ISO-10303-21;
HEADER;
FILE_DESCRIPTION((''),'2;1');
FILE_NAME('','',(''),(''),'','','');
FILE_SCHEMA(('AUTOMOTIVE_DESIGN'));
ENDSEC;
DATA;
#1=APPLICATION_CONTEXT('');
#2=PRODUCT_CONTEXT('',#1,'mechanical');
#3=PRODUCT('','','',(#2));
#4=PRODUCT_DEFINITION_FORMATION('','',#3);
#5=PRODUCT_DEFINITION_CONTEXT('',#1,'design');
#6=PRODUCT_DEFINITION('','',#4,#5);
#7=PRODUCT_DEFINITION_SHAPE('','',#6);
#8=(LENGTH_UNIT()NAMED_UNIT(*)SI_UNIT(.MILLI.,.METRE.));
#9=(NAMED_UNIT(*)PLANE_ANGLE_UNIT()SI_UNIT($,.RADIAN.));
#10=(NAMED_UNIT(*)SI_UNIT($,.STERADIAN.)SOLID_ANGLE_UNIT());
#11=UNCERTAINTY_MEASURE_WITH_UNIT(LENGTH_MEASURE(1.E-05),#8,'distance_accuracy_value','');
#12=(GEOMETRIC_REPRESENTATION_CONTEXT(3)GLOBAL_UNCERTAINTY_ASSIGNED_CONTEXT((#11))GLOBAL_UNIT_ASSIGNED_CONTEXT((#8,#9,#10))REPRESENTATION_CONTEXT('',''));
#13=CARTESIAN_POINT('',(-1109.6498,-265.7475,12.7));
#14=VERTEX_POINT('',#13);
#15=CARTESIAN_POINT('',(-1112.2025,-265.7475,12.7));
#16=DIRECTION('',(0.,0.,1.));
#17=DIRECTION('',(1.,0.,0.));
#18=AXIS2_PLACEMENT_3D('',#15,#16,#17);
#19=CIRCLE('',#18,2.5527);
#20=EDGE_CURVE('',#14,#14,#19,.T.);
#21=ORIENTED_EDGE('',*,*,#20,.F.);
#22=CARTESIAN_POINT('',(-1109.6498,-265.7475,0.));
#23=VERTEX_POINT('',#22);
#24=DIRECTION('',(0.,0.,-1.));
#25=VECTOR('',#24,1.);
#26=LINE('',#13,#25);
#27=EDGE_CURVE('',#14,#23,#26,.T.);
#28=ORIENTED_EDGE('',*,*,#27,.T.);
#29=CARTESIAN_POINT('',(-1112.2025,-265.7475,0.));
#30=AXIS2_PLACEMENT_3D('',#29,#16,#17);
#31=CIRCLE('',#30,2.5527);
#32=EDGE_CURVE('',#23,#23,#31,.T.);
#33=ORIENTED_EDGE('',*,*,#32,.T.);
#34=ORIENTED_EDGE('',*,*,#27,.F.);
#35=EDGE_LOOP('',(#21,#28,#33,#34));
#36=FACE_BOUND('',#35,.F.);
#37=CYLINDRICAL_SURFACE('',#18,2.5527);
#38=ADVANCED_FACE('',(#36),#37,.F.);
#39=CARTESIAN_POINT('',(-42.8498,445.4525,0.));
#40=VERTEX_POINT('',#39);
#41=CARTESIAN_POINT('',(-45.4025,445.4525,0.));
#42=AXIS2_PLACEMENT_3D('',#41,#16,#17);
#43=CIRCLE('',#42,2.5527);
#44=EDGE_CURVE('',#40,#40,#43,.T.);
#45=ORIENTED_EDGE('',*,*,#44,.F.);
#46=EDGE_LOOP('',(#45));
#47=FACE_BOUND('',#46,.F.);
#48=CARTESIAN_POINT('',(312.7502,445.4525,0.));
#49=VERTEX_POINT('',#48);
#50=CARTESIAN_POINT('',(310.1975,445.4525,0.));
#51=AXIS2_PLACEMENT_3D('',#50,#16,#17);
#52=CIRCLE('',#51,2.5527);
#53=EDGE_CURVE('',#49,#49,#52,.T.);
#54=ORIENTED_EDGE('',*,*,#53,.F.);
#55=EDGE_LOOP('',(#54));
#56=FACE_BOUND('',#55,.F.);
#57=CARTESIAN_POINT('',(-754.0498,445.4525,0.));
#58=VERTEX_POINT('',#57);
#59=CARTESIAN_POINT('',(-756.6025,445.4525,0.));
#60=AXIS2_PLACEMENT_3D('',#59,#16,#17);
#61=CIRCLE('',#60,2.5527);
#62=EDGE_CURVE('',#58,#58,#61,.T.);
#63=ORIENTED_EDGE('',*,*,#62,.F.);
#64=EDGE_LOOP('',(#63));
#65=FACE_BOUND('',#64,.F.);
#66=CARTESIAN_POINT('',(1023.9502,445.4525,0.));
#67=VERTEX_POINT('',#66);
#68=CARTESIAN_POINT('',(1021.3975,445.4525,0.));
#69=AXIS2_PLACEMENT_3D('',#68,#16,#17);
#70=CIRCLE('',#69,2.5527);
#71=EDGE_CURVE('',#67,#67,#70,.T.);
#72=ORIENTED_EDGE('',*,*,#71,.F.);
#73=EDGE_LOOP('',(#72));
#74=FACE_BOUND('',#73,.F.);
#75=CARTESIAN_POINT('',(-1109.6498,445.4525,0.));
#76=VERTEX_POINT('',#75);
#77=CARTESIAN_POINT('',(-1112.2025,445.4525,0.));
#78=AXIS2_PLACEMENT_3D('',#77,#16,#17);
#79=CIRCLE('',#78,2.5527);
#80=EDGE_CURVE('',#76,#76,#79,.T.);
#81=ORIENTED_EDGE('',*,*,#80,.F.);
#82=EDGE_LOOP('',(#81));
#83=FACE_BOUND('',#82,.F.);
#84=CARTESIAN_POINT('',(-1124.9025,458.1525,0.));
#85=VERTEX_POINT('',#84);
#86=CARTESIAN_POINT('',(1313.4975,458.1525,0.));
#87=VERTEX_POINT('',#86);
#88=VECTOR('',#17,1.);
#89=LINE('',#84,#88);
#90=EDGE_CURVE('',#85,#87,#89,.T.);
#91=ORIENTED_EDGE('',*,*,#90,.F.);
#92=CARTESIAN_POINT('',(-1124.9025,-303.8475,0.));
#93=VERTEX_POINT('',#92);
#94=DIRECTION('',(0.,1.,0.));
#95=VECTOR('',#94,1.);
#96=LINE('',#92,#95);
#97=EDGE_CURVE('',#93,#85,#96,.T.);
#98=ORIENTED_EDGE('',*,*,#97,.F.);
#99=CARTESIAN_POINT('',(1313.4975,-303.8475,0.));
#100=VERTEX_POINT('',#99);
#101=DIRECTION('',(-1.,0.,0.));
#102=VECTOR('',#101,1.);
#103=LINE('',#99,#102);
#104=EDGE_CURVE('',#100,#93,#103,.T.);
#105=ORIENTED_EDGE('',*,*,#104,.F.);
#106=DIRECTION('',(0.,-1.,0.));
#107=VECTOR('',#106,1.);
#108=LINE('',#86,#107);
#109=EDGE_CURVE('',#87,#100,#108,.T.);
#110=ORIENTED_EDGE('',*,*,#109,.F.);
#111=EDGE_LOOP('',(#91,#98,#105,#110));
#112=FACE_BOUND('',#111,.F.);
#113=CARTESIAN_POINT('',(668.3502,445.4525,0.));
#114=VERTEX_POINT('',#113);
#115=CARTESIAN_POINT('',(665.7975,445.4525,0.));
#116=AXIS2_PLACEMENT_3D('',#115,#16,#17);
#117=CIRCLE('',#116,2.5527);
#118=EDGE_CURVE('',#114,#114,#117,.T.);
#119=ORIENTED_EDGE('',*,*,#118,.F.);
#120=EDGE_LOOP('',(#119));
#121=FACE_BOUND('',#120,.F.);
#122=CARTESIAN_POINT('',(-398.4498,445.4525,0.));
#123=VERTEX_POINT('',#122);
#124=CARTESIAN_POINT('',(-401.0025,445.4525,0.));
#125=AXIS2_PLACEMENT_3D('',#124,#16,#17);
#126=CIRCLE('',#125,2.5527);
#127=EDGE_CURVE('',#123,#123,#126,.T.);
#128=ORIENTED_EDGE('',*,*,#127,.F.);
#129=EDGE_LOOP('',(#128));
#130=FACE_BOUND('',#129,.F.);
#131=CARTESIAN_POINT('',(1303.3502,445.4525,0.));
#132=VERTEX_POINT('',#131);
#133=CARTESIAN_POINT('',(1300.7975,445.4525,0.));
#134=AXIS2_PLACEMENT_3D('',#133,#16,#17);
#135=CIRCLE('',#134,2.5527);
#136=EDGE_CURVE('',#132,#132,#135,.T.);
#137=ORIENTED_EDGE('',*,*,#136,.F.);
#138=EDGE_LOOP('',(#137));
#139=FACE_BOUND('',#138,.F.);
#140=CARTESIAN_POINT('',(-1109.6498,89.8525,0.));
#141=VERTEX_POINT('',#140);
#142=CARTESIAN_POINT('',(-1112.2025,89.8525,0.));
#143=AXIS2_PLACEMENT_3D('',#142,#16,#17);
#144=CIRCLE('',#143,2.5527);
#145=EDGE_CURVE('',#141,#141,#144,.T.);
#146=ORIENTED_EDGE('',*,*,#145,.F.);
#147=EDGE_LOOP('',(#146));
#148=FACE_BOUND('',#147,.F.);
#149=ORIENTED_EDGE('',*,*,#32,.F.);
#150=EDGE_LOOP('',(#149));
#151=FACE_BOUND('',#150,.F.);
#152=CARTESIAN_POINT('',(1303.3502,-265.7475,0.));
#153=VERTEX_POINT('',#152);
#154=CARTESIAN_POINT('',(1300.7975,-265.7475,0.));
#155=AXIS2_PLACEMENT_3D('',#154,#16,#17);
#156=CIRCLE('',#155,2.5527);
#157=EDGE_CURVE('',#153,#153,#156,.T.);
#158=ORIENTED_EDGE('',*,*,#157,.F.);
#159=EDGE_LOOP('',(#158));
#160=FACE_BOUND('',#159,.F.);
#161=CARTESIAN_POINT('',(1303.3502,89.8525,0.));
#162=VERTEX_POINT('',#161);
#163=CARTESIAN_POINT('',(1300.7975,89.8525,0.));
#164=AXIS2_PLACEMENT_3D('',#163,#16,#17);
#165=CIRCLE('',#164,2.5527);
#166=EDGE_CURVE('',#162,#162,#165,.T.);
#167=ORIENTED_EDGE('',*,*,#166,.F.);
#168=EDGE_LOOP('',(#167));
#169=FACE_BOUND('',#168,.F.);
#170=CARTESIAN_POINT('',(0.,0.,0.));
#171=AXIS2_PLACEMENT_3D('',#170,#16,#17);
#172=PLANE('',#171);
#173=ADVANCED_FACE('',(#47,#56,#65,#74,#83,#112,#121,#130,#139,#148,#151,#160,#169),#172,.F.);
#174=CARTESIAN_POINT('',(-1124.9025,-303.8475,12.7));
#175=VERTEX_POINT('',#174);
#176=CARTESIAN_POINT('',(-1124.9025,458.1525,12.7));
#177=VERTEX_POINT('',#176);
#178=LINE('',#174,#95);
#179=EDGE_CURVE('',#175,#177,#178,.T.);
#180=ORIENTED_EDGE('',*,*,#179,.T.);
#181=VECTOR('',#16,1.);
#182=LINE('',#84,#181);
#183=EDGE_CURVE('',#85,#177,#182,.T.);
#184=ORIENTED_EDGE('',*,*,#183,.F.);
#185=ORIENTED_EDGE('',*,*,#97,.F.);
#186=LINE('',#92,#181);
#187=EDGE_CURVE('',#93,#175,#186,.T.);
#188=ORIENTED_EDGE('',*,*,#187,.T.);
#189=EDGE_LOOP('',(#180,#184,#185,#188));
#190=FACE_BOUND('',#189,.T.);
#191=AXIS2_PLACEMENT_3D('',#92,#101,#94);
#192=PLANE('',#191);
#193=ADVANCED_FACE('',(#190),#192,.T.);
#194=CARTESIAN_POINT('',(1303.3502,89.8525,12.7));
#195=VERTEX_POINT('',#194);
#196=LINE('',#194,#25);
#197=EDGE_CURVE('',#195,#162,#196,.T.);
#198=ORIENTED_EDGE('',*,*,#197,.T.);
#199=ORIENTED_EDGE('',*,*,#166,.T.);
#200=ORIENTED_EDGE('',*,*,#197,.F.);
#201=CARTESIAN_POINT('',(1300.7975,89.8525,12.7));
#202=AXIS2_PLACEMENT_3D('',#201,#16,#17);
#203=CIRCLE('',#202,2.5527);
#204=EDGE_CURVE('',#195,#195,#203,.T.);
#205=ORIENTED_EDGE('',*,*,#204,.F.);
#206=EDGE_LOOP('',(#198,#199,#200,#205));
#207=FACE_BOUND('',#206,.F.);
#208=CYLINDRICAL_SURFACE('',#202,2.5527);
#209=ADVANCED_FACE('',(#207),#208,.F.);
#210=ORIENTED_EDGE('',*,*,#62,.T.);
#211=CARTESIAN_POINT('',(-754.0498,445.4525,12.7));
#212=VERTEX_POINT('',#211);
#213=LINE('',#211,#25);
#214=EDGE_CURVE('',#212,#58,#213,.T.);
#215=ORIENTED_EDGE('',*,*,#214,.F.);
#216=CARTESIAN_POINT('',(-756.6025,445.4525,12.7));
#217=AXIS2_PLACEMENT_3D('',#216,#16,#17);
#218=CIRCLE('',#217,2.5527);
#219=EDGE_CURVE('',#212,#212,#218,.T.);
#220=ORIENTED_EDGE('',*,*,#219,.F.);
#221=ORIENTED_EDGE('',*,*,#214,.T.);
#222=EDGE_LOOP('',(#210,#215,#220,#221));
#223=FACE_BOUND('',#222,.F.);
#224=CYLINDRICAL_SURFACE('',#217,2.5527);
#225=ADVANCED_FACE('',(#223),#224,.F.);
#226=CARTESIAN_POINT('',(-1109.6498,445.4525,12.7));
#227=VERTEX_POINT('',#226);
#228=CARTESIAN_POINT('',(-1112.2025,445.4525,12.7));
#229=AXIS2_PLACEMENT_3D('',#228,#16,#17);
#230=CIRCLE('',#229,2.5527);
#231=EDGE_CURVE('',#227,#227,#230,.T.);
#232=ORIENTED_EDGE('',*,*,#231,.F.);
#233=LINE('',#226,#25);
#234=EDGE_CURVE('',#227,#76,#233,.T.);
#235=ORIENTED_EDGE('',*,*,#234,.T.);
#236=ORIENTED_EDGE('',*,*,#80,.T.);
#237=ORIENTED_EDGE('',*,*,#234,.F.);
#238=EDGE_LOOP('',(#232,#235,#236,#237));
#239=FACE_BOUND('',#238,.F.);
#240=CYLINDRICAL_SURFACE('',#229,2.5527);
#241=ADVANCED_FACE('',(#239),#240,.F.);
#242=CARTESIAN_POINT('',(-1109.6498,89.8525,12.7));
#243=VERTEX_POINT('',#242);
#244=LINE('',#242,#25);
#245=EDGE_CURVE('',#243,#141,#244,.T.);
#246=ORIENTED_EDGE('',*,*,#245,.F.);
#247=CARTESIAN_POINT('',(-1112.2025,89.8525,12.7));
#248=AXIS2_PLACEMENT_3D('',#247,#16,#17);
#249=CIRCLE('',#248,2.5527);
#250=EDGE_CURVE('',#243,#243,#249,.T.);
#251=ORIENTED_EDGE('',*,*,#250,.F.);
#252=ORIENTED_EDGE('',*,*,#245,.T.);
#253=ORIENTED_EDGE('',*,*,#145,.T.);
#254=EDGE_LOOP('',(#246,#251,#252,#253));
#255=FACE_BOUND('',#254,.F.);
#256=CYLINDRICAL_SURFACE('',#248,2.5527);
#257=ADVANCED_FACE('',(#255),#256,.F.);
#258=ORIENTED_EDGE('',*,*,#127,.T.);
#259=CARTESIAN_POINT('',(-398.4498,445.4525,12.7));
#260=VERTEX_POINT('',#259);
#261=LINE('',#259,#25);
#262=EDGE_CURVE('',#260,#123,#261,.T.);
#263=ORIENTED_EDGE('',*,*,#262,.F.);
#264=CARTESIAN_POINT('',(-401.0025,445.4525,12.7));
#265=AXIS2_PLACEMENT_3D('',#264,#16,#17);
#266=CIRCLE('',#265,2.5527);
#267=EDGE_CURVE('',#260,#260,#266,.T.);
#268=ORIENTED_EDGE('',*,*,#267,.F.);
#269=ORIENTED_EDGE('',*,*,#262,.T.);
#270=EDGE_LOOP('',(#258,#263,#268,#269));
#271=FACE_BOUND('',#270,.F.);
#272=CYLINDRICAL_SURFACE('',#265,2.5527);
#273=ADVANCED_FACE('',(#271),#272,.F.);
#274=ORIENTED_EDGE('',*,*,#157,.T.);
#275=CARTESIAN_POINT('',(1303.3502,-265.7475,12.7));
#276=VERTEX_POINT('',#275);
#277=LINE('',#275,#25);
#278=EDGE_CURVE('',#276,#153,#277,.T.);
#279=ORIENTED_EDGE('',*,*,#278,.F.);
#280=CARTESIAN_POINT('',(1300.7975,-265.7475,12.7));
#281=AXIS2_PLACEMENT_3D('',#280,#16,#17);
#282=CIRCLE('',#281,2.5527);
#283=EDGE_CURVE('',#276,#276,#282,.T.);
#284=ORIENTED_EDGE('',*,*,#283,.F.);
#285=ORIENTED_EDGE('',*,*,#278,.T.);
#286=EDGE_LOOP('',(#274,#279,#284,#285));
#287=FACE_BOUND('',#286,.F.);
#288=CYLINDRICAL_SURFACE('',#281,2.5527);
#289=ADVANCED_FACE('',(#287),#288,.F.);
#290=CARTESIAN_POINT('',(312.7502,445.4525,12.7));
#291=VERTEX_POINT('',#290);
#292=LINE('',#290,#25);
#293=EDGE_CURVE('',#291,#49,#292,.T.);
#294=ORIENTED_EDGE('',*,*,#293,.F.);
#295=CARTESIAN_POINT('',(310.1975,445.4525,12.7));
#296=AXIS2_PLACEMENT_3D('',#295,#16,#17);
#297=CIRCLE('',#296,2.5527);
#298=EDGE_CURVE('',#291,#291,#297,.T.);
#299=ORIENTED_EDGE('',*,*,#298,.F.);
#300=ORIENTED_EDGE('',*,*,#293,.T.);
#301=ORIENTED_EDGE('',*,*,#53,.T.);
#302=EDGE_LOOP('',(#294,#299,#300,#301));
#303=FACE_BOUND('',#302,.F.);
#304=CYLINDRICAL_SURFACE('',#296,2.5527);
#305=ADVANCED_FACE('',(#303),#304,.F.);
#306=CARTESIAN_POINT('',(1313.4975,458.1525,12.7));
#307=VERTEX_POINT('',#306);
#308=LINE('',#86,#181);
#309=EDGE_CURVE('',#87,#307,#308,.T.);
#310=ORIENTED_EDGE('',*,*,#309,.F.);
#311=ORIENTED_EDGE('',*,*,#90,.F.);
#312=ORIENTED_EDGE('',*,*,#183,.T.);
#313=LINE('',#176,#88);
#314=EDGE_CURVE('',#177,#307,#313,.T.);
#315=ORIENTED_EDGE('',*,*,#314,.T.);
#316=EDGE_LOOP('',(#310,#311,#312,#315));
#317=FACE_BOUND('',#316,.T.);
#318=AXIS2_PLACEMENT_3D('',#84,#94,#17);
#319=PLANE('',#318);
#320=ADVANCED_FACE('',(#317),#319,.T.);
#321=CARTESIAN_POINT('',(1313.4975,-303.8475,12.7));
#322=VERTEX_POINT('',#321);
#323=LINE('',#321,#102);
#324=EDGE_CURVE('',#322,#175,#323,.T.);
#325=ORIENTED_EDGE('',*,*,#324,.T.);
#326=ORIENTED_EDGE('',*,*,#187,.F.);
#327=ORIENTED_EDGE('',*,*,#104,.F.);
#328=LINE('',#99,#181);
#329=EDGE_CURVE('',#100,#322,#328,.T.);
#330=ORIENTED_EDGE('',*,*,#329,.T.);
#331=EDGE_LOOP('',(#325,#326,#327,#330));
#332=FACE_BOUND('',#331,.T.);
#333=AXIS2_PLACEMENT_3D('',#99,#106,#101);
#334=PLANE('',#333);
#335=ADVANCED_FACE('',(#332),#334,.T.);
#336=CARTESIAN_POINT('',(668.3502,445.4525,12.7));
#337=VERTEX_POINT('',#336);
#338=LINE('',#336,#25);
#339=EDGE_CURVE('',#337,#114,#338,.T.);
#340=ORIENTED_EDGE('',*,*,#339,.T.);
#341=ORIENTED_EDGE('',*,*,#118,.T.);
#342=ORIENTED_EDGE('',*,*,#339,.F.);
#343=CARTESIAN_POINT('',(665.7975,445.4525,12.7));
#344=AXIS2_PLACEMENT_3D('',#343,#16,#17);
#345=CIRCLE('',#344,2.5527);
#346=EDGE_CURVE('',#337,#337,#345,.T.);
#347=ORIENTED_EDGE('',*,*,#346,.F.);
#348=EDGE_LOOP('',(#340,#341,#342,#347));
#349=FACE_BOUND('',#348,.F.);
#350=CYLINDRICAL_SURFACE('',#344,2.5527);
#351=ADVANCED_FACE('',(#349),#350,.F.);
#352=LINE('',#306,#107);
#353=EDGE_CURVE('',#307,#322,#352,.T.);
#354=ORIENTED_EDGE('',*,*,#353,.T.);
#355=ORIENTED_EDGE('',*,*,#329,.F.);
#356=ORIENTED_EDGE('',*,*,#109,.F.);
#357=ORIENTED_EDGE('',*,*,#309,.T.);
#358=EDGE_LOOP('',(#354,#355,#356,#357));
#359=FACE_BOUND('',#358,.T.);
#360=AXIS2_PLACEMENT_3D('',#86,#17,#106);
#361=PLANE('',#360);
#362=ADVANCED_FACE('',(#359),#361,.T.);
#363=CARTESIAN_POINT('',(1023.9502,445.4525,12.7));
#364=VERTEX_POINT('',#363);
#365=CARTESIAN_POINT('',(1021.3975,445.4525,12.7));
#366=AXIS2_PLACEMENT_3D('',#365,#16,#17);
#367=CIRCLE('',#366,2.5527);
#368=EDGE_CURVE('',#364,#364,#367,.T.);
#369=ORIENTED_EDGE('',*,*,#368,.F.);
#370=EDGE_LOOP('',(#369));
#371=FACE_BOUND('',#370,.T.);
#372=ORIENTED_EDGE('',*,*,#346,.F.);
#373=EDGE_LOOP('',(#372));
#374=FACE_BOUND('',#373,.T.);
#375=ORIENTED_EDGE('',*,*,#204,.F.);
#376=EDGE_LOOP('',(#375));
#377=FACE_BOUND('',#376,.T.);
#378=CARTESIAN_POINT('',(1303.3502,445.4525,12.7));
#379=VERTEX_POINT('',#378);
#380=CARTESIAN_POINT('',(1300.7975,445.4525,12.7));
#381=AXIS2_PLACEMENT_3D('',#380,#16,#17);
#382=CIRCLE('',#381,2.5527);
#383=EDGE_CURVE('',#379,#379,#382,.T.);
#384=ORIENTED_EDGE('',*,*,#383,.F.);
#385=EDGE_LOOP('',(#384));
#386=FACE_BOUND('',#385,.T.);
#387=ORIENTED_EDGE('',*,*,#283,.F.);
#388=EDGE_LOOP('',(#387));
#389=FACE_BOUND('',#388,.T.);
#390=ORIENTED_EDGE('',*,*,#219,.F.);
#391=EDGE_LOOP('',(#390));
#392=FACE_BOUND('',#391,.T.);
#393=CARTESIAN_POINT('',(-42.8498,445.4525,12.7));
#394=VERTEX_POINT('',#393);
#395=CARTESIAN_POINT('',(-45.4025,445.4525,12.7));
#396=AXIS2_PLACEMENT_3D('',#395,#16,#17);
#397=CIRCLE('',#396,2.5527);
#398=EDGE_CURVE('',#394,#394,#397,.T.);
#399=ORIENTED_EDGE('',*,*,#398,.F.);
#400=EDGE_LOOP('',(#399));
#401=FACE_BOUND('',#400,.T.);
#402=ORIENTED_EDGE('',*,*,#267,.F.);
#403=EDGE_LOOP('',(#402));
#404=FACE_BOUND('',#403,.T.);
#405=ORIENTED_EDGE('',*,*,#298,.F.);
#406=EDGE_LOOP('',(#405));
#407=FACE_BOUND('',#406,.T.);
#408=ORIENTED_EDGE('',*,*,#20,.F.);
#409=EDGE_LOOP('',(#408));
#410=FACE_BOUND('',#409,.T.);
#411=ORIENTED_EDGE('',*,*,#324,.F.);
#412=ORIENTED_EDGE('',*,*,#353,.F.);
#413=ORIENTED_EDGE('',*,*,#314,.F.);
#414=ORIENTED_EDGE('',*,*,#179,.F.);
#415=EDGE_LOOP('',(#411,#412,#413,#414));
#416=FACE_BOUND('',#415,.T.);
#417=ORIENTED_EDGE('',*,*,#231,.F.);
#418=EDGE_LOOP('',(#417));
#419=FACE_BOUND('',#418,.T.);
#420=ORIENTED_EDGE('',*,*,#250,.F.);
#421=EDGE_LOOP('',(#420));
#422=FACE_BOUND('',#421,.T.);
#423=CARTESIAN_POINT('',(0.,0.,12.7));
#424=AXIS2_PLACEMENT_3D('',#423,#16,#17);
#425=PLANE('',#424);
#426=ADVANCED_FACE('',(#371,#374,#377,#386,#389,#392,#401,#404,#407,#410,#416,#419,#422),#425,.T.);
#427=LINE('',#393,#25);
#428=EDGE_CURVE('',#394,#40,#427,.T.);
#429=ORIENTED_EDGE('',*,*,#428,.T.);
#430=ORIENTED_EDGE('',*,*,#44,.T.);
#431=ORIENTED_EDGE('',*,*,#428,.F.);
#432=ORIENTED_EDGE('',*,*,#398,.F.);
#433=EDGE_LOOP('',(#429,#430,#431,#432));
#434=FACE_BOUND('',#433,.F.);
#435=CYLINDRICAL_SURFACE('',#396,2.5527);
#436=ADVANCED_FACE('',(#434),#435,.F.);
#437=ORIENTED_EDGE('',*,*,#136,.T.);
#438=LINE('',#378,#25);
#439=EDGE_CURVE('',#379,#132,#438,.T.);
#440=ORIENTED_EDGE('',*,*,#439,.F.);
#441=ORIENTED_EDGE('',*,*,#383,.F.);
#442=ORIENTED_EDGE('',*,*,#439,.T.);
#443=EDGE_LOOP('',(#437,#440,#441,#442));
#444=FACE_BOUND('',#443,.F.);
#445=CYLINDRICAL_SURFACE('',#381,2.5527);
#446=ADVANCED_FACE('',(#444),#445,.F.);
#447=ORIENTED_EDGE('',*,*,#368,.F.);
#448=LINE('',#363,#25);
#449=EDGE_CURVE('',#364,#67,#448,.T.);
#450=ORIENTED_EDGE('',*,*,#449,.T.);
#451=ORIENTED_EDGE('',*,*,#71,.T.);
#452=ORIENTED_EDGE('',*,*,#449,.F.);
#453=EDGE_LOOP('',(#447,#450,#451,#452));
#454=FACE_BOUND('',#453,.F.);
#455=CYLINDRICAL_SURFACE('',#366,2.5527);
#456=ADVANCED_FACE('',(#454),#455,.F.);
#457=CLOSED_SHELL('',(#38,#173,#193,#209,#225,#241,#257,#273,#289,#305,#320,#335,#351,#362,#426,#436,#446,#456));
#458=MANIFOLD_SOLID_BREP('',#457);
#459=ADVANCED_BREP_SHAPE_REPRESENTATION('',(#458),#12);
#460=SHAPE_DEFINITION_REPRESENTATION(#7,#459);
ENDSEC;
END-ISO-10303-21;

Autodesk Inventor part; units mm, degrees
ref_plane "YZ Plane" through (0, 0, 0) normal (1, 0, 0) x (0, 1, 0)
ref_plane "XZ Plane" through (0, 0, 0) normal (0, 1, 0) x (-1, 0, 0)
ref_plane "XY Plane" through (0, 0, 0) normal (0, 0, 1) x (1, 0, 0)
sketch "Sketch1" plane through (0, 0, 0) normal (0, 0, 1) x (1, 0, 0)
  line L0 (-1124.9025, 458.1525) -> (1313.4975, 458.1525)
  line L1 (1313.4975, 458.1525) -> (1313.4975, -303.8475)
  line L2 (1313.4975, -303.8475) -> (-1124.9025, -303.8475)
  line L3 (-1124.9025, -303.8475) -> (-1124.9025, 458.1525)
  point P0 (0, 0)
  dimension "d0" = 2438.4
  dimension "d1" = 762
extrude "Extrusion1" add sketch "Sketch1" along normal blind 12.7
sketch "Sketch2" plane through (0, 0, 12.7) normal (0, 0, 1) x (1, 0, 0)
  circle A0 centre (-1112.2025, 445.4525) radius 2.5527
  line L0 (1313.4975, 458.1525) -> (-1124.9025, 458.1525) projected
  line L1 (-1124.9025, 458.1525) -> (-1124.9025, -303.8475) projected
  point P0 (0, 0)
  dimension "d4" = 5.1054
  dimension "d5" = 12.7
  dimension "d6" = 12.7
extrude "Extrusion2" cut sketch "Sketch2" against normal through all
pattern_linear "Rectangular Pattern1" count 3 spacing 355.6 along (0, -1, 0) of "Extrusion2"
pattern_linear "Rectangular Pattern2" count 8 spacing 355.6 along (1, 0, 0) of "Extrusion2"
pattern_linear "Rectangular Pattern3" count 2 spacing 2413 along (1, 0, 0) of "Extrusion2", "Rectangular Pattern1"
properties part number "Polycarb" material "Polycarbonate, Smoke"
